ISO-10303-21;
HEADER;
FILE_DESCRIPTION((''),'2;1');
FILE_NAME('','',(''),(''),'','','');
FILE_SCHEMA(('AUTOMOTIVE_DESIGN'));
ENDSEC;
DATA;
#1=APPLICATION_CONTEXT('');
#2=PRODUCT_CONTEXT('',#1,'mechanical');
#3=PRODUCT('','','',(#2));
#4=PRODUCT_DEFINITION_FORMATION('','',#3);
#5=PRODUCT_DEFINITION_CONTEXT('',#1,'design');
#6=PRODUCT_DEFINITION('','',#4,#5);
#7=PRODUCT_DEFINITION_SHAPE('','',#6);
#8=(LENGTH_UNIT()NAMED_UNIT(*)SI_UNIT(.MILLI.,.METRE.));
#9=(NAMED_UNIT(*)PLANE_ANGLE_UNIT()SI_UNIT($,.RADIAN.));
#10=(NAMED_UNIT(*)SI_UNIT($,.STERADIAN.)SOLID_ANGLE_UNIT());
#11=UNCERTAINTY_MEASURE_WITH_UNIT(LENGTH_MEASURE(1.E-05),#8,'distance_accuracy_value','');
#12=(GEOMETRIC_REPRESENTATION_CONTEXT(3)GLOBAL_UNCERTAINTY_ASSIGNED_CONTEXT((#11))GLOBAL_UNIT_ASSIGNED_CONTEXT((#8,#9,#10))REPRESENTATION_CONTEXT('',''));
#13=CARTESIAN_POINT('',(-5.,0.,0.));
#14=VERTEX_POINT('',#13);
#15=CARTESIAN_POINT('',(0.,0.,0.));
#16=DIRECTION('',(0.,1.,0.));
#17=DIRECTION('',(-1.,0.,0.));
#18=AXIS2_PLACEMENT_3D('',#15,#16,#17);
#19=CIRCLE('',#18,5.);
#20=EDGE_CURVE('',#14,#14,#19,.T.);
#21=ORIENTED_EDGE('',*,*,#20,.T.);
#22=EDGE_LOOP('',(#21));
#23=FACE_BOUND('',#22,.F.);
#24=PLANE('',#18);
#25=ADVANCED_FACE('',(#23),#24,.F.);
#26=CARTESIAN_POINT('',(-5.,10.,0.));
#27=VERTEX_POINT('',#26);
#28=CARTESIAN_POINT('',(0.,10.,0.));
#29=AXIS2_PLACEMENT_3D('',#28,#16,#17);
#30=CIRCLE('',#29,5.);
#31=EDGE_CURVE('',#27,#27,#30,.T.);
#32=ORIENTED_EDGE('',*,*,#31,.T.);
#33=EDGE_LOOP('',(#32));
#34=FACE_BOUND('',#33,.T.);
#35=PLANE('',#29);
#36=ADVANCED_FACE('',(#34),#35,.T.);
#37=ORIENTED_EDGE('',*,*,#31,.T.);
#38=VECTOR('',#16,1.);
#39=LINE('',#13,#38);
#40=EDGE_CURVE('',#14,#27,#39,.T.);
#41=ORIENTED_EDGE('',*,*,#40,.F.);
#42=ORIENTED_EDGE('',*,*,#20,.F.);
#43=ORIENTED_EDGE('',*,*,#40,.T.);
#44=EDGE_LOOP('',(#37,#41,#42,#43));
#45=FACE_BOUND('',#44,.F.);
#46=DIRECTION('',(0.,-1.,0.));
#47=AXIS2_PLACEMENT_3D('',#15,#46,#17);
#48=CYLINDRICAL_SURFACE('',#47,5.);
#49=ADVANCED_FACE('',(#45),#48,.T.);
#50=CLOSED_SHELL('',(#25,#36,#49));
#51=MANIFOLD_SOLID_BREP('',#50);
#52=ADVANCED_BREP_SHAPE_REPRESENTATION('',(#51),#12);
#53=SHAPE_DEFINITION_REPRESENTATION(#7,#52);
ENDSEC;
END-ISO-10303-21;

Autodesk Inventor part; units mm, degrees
ref_plane "YZ Plane" through (0, 0, 0) normal (1, 0, 0) x (0, 1, 0)
ref_plane "XZ Plane" through (0, 0, 0) normal (0, 1, 0) x (-1, 0, 0)
ref_plane "XY Plane" through (0, 0, 0) normal (0, 0, 1) x (1, 0, 0)
sketch "草圖3" plane through (0, 0, 0) normal (0, 1, 0) x (-1, 0, 0)
  circle A0 centre (0, 0) radius 5
  dimension "d3" = 10
extrude "擠出1" add sketch "草圖3" along normal blind 10
properties part number "axis"
